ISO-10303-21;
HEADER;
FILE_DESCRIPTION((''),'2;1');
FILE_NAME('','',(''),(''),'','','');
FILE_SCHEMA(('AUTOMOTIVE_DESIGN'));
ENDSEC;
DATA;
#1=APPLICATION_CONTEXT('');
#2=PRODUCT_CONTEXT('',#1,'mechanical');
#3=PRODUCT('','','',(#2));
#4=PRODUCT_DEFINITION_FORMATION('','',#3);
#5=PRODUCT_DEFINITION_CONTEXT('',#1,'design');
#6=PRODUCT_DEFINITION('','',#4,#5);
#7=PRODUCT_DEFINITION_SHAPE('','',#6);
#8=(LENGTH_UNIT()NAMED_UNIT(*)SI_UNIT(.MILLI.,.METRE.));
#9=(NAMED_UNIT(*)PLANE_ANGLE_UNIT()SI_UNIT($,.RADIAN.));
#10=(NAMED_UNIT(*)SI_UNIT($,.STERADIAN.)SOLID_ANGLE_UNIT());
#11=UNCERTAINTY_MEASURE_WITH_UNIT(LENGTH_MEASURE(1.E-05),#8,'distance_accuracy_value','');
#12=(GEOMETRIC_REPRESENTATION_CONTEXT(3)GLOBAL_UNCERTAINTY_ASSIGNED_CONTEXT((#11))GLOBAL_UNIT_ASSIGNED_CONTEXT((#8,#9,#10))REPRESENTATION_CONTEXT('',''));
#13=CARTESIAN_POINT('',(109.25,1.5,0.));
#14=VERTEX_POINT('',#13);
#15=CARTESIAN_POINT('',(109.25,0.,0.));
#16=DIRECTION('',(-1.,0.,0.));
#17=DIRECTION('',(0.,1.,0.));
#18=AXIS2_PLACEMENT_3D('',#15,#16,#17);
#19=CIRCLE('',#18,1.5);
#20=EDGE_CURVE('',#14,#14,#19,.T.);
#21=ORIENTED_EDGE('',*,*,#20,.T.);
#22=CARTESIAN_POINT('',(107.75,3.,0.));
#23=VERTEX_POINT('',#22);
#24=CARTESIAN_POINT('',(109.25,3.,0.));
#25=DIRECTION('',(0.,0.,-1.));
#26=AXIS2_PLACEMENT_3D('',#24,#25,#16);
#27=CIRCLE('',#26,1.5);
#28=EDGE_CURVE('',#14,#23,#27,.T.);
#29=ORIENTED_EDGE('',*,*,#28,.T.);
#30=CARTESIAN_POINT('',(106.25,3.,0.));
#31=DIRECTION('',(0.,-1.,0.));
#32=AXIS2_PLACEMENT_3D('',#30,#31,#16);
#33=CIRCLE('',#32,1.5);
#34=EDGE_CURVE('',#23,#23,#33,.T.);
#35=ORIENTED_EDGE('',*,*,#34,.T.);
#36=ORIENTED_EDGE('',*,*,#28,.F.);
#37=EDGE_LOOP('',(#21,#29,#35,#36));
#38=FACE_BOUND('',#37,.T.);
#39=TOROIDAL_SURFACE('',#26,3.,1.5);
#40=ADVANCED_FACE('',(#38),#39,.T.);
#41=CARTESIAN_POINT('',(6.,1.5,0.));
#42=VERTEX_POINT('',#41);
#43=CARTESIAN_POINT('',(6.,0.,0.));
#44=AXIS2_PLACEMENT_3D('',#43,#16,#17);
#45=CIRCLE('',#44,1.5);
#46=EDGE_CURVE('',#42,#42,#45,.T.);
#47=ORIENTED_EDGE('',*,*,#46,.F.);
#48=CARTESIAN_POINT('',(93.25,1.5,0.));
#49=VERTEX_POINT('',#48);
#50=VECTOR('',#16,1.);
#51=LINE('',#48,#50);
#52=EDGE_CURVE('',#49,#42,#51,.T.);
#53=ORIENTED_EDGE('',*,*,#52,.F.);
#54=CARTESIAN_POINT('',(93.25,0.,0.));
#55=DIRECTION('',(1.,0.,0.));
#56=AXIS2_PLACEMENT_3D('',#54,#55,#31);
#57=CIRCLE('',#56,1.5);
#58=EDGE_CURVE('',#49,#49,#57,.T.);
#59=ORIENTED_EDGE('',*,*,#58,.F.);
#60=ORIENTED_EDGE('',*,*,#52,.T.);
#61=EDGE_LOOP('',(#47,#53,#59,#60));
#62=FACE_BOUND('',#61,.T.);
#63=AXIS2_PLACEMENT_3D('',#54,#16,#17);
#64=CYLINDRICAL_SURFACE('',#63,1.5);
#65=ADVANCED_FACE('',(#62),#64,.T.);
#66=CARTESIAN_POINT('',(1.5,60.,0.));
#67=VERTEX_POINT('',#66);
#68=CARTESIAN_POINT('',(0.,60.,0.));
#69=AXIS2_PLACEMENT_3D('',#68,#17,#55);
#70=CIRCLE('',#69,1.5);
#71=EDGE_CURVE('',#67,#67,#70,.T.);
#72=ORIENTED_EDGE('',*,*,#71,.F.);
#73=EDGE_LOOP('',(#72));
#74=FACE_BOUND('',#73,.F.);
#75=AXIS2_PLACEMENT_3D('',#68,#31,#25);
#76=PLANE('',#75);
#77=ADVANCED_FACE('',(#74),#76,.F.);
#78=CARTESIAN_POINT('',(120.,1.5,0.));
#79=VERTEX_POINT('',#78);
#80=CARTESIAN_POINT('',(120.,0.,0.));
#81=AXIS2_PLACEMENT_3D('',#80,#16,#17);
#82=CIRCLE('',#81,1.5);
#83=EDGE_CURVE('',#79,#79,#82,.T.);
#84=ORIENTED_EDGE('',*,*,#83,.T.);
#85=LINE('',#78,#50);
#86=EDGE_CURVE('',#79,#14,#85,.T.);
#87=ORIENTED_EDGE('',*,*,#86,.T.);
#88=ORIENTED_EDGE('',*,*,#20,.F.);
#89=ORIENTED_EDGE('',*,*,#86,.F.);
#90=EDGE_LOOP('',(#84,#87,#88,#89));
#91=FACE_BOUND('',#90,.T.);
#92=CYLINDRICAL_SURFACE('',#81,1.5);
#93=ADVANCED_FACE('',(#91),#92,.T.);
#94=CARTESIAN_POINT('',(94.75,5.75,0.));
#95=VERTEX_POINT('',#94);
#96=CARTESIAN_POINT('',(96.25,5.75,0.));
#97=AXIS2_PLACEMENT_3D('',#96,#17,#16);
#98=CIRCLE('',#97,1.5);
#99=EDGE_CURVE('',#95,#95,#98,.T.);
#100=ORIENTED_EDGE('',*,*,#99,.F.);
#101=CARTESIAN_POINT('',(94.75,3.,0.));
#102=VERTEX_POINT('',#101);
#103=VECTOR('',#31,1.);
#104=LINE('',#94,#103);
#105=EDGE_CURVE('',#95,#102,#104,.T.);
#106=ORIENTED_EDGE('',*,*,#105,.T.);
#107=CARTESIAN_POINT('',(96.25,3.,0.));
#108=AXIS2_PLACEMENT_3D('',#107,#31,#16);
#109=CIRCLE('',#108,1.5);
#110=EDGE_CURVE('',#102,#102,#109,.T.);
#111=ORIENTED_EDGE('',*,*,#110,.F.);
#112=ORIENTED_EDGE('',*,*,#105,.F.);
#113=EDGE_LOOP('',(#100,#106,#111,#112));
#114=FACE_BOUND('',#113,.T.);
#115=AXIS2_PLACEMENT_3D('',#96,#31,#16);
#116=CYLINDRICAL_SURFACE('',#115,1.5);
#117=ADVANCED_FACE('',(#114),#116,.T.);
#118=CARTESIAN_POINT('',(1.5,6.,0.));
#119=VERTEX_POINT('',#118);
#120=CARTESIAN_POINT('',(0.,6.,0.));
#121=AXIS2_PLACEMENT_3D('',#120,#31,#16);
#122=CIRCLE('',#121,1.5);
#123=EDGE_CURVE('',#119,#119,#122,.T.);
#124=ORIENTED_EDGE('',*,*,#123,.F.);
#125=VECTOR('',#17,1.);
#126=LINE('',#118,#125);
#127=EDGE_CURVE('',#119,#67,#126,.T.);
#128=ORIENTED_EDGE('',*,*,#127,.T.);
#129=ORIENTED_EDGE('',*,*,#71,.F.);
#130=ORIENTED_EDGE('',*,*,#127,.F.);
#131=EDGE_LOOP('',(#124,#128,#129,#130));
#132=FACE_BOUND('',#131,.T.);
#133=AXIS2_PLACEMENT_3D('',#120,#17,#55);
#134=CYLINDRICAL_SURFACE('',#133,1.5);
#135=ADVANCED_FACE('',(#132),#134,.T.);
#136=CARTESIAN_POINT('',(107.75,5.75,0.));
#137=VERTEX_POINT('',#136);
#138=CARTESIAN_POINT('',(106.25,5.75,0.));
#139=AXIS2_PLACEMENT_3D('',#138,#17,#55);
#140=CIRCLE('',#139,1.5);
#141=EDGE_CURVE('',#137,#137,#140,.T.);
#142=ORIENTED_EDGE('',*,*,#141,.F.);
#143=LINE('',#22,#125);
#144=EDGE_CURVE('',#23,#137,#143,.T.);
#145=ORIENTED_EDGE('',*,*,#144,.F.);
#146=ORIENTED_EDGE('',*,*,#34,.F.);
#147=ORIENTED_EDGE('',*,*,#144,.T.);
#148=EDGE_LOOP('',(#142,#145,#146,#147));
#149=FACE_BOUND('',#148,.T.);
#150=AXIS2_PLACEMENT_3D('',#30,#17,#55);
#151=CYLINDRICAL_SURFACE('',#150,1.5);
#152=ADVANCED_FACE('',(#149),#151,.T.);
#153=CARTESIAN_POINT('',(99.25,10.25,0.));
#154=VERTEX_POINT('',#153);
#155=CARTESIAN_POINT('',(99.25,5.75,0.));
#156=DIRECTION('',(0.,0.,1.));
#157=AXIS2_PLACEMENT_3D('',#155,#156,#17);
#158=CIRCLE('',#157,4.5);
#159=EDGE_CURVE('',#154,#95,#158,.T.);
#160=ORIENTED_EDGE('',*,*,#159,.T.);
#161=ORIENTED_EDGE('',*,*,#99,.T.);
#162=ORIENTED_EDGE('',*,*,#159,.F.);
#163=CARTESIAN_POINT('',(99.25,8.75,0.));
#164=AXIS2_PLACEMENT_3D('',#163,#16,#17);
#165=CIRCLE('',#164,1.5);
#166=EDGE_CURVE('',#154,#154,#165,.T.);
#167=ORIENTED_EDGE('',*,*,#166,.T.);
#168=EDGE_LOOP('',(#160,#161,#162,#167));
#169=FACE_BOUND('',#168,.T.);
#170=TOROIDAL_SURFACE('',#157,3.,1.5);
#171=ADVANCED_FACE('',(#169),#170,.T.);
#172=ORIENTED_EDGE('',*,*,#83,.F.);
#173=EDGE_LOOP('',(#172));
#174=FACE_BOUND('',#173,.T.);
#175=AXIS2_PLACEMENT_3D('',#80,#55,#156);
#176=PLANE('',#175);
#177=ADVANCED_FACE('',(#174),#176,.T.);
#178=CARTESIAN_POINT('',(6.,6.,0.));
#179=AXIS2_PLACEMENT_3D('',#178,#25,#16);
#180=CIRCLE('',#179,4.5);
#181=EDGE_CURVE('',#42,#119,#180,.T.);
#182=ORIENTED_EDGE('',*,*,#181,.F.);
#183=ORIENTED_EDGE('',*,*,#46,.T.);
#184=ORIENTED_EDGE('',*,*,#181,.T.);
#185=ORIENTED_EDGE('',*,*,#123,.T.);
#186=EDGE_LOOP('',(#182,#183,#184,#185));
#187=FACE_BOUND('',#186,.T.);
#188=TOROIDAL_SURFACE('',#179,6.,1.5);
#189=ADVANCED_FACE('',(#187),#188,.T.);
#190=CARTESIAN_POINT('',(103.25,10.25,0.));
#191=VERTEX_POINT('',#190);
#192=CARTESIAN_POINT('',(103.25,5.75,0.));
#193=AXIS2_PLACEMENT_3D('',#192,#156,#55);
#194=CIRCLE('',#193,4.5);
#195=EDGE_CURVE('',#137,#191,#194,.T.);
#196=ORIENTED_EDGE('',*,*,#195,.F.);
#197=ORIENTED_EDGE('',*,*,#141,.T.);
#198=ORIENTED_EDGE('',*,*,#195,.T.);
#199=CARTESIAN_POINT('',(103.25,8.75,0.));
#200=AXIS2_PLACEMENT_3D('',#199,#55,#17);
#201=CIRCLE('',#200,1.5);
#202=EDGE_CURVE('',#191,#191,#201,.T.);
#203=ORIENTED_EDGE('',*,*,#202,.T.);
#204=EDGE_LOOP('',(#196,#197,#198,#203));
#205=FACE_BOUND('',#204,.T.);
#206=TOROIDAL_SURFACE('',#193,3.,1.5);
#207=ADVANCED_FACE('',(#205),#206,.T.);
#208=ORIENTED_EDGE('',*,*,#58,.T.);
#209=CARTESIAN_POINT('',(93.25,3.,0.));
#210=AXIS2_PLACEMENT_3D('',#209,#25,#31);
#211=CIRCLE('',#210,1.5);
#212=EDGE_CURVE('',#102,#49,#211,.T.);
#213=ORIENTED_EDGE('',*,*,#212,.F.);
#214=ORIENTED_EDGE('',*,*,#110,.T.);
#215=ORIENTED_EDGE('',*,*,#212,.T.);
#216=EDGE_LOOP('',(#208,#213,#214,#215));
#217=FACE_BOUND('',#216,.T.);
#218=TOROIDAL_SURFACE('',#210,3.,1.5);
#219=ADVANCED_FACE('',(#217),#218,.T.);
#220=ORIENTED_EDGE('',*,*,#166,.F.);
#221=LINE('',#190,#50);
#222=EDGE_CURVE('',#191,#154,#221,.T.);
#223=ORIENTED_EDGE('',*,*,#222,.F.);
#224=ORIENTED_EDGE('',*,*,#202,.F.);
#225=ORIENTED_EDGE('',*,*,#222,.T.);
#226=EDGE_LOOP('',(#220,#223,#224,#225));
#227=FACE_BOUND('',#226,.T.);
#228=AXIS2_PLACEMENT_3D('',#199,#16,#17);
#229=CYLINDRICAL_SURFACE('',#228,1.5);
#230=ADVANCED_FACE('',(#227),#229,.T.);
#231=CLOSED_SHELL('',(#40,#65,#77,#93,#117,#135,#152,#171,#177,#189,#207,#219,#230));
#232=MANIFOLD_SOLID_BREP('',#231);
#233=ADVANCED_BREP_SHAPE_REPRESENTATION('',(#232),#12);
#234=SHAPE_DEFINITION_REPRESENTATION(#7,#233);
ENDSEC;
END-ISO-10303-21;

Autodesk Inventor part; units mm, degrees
sketch "Sketch1" plane through (0, 0, 0) normal (0, 0, 1) x (1, 0, 0)
  line L0 (0, 6) -> (0, 60)
  line L1 (0, 0) -> (0, 128.6868)
  arc A0 (0, 6) -> (6, 0) centre (6, 6) ccw
  line L2 (120, 0) -> (109.25, 0)
  line L3 (106.25, 3) -> (106.25, 5.75)
  line L4 (103.25, 8.75) -> (99.25, 8.75)
  line L5 (96.25, 5.75) -> (96.25, 3)
  line L6 (93.25, 0) -> (6, 0)
  arc A1 (93.25, 0) -> (96.25, 3) centre (93.25, 3) ccw
  arc A2 (99.25, 8.75) -> (96.25, 5.75) centre (99.25, 5.75) ccw
  arc A3 (106.25, 5.75) -> (103.25, 8.75) centre (103.25, 5.75) ccw
  arc A4 (106.25, 3) -> (109.25, 0) centre (109.25, 3) ccw
  point P0 (106.25, 0)
  point P1 (106.25, 8.75)
  point P2 (96.25, 8.75)
  dimension "d0" = 120
  dimension "d1" = 60
  dimension "d13" = 6
  dimension "d15" = 13.75
  dimension "d16" = 8.75
  dimension "d17" = 10
  dimension "d18" = 3
ref_plane "Work Plane1" through (120, 0, 0) normal (1, 0, 0) x (0, 1, 0)
sketch "Sketch2" plane through (120, 0, 0) normal (1, 0, 0) x (0, 1, 0)
  circle A0 centre (0, 0) radius 1.5
  point P0 (0, 0)
  dimension "d2" = 3
sweep "Sweep1" add profiles "Sketch2" path "Sketch1" path curves L2 A4 L3 A3 L4 A2 L5 A1 L6 A0 L0
thread "Thread1"
ref_plane "Work Plane2" through (0, 0, 0) normal (0, 0, 1) x (1, 0, 0)
thread "Thread2"
ref_plane "Work Plane3" through (0, 0, 0) normal (1, 0, 0) x (0, 1, 0)
properties part number "Barra en L"
